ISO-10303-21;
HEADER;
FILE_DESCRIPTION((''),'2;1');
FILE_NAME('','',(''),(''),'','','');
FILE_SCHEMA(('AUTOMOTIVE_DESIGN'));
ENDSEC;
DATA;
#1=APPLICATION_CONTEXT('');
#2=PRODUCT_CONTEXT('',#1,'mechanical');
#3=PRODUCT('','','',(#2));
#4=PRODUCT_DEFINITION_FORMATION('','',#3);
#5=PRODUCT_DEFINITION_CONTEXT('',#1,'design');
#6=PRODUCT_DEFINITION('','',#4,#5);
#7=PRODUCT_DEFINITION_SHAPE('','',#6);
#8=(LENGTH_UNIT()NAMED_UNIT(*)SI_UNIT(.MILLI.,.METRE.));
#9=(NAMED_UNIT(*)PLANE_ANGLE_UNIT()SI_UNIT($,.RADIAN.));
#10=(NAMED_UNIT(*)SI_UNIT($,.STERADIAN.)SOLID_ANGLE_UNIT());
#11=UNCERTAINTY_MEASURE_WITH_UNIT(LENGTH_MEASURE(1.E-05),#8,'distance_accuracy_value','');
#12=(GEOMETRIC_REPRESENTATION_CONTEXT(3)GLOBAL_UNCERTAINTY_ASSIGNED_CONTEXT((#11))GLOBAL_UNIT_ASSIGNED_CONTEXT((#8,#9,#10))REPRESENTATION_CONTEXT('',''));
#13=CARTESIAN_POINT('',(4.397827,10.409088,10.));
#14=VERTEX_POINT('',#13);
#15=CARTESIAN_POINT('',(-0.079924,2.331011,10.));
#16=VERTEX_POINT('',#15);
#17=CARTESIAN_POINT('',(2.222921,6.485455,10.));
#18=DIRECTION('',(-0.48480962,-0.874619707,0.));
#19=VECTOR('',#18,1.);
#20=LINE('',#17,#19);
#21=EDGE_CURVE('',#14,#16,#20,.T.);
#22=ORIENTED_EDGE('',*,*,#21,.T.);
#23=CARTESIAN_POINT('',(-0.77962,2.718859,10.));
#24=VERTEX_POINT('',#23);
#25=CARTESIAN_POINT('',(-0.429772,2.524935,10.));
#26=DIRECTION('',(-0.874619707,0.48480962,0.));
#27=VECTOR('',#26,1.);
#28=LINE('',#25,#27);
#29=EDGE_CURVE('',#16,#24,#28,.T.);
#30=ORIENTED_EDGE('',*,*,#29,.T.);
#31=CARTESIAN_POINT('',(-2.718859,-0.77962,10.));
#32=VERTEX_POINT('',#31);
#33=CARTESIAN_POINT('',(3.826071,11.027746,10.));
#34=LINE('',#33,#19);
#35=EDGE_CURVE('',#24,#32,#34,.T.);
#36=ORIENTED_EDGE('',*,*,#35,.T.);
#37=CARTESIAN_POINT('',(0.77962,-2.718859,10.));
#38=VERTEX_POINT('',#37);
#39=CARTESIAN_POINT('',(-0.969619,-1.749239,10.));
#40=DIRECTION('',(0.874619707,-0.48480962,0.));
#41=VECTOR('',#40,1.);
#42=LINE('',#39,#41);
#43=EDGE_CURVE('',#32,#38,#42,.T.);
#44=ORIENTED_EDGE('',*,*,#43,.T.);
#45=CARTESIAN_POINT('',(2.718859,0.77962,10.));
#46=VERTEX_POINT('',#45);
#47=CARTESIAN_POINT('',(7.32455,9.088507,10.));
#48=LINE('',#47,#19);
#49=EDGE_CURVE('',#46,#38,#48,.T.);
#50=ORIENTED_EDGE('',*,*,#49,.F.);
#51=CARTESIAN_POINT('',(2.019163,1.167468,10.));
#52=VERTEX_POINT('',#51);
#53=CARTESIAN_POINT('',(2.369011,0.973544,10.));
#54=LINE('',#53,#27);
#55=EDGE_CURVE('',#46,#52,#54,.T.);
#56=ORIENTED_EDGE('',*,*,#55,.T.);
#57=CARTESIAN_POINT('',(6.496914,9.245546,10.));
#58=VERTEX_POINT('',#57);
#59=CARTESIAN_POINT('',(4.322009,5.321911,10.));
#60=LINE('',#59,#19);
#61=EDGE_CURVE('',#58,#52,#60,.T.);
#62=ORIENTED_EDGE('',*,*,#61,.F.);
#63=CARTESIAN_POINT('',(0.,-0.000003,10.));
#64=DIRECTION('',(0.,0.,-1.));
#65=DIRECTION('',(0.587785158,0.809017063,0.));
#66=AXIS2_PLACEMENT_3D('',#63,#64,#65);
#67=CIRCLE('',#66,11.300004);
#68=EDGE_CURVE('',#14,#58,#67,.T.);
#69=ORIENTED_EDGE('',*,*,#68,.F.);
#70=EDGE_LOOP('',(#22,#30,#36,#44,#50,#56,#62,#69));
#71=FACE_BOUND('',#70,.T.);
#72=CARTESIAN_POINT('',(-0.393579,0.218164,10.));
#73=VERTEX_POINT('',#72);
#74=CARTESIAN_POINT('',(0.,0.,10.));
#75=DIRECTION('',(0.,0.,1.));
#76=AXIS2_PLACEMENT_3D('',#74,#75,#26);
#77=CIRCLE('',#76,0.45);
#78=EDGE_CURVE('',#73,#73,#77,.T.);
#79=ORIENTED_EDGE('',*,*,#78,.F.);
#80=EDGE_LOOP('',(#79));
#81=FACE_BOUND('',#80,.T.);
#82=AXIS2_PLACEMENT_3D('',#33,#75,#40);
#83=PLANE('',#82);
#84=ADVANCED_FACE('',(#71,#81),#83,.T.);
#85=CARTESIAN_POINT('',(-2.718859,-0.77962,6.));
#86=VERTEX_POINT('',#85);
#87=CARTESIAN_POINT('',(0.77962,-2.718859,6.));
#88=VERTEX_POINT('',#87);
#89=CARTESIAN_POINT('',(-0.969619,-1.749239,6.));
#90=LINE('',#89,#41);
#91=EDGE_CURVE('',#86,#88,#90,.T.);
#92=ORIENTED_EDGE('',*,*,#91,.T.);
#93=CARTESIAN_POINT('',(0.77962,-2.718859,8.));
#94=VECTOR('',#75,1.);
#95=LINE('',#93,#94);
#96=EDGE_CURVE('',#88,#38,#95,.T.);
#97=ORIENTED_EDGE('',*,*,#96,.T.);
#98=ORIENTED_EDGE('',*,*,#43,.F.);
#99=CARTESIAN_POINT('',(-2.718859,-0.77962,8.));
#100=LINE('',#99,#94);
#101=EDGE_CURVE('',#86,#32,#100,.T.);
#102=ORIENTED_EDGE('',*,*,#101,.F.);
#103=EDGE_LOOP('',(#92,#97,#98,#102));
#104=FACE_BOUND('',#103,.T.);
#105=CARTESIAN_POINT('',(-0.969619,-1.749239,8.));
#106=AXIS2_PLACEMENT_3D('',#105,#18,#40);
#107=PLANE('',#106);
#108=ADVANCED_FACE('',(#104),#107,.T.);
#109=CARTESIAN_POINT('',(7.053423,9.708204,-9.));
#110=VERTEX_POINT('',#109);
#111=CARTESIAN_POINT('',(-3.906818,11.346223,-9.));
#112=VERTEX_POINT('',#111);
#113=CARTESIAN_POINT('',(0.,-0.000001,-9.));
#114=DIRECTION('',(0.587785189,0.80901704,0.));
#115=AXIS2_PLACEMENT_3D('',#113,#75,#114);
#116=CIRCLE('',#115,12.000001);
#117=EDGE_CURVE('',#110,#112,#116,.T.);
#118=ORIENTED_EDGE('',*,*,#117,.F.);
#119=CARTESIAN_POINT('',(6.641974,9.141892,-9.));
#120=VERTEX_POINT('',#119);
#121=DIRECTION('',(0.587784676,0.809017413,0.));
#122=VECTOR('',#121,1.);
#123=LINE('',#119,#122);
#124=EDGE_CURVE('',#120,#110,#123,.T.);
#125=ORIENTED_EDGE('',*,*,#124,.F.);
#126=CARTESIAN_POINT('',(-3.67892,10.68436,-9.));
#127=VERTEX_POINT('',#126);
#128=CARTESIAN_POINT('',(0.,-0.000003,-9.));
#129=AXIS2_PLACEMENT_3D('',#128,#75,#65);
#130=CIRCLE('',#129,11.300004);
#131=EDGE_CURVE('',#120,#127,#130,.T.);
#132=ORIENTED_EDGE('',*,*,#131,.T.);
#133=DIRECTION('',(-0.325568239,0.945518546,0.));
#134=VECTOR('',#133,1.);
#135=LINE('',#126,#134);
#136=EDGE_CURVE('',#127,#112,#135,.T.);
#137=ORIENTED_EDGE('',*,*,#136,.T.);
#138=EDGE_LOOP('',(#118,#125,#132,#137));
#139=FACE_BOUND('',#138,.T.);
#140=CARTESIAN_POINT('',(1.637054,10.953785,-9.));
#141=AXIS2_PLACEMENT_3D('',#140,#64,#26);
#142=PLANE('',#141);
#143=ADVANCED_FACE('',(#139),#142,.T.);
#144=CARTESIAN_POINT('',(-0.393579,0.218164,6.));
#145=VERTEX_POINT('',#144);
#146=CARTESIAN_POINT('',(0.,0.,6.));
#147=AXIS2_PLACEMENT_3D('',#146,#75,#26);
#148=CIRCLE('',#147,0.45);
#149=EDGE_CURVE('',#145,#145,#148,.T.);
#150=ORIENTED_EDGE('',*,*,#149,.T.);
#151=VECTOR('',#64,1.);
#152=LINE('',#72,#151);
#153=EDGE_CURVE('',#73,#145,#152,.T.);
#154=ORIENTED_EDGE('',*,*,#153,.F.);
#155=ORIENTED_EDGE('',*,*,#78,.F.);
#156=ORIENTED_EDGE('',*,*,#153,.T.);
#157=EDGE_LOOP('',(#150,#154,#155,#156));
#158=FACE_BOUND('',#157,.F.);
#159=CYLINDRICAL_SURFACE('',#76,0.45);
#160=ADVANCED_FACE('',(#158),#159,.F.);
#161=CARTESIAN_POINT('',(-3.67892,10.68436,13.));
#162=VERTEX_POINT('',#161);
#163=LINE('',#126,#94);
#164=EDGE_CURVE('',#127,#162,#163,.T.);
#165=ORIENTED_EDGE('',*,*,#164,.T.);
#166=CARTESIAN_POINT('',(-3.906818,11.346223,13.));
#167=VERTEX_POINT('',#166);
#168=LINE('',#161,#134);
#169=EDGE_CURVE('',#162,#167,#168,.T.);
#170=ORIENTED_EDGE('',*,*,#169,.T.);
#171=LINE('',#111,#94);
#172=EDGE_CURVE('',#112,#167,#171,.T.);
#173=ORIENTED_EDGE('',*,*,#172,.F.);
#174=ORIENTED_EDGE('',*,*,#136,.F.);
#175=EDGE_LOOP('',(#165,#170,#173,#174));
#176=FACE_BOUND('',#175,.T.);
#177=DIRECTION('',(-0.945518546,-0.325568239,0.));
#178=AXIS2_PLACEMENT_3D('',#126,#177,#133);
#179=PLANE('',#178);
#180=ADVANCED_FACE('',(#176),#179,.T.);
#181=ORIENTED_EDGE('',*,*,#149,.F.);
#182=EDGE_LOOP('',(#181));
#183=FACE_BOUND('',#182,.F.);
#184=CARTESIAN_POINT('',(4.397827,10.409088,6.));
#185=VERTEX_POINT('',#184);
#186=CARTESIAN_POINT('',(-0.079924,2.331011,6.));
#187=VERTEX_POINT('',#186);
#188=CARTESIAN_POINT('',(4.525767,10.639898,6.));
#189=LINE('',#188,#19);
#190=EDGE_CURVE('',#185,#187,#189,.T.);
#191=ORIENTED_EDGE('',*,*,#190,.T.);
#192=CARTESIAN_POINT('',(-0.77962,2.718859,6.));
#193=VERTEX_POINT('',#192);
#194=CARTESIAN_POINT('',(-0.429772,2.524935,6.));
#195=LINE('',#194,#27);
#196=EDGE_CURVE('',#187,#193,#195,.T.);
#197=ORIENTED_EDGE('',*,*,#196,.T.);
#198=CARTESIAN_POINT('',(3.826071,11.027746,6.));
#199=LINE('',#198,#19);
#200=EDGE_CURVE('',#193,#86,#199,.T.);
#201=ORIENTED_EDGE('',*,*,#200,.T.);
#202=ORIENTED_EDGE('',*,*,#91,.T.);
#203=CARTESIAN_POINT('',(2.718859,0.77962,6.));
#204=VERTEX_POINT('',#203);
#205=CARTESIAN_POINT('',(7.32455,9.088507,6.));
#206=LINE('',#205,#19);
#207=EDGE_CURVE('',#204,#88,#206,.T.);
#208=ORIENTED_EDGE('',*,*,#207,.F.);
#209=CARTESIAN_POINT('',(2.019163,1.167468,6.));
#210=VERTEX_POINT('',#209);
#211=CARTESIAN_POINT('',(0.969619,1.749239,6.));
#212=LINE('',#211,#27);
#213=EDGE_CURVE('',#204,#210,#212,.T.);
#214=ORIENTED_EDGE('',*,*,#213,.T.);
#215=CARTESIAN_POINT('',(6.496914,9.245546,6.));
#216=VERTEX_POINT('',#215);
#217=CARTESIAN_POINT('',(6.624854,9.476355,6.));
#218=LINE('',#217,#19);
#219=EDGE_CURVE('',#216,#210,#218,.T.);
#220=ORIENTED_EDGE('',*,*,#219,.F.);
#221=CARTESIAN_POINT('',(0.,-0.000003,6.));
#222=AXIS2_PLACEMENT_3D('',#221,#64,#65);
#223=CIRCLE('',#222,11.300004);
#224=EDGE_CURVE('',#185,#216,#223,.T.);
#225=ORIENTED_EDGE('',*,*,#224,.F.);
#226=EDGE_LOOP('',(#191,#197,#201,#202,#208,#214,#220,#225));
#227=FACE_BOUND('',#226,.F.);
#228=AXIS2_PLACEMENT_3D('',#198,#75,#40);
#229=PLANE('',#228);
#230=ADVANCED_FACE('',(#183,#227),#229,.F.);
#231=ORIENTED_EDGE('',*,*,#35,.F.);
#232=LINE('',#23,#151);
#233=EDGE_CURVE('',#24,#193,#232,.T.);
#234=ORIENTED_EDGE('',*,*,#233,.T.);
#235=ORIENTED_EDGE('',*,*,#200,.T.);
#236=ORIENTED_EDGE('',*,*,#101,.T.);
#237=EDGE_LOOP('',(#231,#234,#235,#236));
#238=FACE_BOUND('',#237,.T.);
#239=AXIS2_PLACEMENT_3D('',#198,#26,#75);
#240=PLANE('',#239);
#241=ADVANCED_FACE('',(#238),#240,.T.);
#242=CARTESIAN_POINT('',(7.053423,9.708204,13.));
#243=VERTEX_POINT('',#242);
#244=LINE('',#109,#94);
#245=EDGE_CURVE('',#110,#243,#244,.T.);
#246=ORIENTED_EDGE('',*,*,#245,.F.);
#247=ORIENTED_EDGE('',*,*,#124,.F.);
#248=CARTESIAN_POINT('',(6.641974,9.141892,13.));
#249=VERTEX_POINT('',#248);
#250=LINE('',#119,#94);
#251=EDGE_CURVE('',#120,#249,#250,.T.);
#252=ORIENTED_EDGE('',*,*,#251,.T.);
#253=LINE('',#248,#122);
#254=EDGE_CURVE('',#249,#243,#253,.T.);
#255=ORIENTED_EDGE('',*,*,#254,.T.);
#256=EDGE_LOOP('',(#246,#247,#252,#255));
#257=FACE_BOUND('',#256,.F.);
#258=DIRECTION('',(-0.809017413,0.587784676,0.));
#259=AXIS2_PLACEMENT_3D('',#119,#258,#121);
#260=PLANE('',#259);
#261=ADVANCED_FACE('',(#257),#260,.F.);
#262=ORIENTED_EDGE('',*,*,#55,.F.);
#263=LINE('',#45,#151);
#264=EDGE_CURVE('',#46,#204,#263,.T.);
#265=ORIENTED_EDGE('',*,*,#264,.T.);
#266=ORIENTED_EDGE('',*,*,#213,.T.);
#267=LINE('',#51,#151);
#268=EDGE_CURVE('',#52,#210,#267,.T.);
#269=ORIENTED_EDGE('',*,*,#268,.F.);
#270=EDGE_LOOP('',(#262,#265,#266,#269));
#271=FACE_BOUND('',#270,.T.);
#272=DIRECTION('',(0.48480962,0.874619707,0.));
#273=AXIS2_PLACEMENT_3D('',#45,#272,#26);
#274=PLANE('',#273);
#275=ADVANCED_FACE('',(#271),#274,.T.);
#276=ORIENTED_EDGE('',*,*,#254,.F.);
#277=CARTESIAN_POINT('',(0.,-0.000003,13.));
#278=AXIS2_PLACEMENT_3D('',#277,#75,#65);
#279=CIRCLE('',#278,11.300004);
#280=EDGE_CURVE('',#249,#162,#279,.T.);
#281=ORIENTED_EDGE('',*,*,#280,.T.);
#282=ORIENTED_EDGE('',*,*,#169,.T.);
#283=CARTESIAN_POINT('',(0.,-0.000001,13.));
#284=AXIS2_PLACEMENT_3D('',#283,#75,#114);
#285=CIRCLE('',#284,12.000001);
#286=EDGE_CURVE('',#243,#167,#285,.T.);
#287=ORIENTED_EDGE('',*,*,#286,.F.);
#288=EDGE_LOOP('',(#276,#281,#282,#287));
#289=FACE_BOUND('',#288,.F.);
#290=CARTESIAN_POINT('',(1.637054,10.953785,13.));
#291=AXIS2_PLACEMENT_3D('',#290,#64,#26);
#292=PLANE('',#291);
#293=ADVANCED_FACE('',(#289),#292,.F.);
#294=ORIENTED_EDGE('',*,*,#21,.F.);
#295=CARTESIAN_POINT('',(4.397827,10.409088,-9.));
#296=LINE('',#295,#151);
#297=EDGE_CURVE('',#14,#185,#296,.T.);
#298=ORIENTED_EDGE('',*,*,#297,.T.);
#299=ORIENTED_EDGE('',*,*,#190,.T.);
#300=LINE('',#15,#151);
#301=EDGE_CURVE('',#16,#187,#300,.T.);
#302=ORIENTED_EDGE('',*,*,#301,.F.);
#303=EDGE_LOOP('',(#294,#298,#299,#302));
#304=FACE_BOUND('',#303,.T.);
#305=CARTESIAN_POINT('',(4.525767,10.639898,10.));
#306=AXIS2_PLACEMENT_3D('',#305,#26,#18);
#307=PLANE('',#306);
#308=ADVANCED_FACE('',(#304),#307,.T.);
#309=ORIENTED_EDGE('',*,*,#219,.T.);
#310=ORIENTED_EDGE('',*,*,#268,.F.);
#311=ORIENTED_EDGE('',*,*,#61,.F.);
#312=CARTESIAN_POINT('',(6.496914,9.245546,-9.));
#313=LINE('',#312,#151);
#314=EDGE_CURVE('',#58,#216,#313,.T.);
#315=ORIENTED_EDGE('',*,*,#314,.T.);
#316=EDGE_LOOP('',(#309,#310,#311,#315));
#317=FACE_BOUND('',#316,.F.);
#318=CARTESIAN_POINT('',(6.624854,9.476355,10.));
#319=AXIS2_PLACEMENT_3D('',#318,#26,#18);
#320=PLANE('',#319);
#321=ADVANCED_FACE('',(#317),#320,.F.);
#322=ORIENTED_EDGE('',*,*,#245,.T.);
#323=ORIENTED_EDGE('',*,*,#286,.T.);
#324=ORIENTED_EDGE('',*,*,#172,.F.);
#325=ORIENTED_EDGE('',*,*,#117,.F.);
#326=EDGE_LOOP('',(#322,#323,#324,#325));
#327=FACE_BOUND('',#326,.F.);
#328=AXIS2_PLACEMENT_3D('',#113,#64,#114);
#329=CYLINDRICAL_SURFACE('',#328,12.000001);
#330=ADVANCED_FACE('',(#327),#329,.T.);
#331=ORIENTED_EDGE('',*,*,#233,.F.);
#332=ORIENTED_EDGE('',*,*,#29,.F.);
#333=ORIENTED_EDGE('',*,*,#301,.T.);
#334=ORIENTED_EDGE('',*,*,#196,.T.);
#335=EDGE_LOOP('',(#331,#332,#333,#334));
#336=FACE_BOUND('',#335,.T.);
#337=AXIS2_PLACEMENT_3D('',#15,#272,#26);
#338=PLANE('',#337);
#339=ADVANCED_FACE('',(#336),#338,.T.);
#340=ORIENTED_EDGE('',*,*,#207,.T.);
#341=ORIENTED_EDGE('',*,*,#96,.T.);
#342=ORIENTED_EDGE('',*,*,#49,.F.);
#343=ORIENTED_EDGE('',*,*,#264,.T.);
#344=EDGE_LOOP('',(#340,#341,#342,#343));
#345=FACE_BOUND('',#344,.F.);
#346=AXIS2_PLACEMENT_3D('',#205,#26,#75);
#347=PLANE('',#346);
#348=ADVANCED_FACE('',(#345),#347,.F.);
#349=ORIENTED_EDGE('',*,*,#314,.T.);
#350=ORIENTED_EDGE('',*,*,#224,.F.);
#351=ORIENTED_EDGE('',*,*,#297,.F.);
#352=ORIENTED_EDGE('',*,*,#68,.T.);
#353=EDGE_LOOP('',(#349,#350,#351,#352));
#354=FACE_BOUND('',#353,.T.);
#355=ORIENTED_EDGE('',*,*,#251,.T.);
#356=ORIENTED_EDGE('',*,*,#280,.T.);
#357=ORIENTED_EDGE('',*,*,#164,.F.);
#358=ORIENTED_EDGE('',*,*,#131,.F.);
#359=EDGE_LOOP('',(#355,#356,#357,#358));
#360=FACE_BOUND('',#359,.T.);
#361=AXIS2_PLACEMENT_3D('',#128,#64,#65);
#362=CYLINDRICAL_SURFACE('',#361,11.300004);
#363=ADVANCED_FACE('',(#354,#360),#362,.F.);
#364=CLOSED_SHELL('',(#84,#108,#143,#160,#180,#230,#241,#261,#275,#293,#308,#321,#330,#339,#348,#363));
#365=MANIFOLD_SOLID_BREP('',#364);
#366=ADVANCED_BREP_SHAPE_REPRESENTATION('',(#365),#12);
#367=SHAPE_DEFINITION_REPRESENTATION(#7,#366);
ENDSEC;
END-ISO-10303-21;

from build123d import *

# Parameters (mm, degrees)
PAD168_DEPTH              = 22
SKETCH247_W               = 4
SKETCH247_H               = 4
PAD167_DEPTH              = 13.5
SKETCH244_R               = 0.45
SKETCH244_W               = 0.8
SKETCH244_H               = 9.5
POCKET031_DEPTH           = 5
BODY041_PLACEMENT_ANGLE   = 90
FUSION004_PLACEMENT_ANGLE = 29


with BuildPart() as segment_wing004:
    # Sketch240 → Pad168 (new body)
    with BuildSketch(Plane.XY):
        with BuildLine():
            ThreePointArc((1.377124, 11.215772), (-3.957343, 10.584396), (-8.397537, 7.561176))
            Line((-8.397537, 7.561176), (-8.917738, 8.029567))
            ThreePointArc((1.462432, 11.910554), (-4.202489, 11.240066), (-8.917738, 8.029567))
            Line((1.377124, 11.215772), (1.462432, 11.910554))
        make_face()
    extrude(amount=PAD168_DEPTH)


with BuildPart() as segment_wing004_1:
    # Body044 placement: moved
    add(segment_wing004.part.moved(Location((0, 0, -9))))


with BuildPart() as segment_on004:
    # Sketch247 → Pad167 (new body)
    with BuildSketch(Plane.XY):
        with Locations((0, 6)):
            Rectangle(SKETCH247_W, SKETCH247_H)
    extrude(amount=PAD167_DEPTH)

    # Sketch244 (on Face1 of Pad167) → Pocket031 (cut)
    with BuildSketch(Plane(origin=(0, 8, 0), x_dir=(-1, 0, 0), z_dir=(0, 1, 0))):
        with Locations((0, 11.5)):
            Circle(SKETCH244_R)
        with Locations((-1.6, 4.75)):
            Rectangle(SKETCH244_W, SKETCH244_H)
        with Locations((1.6, 4.75)):
            Rectangle(SKETCH244_W, SKETCH244_H)
    extrude(amount=-POCKET031_DEPTH, mode=Mode.SUBTRACT)


with BuildPart() as segment_on004_1:
    # Body041 placement: moved
    add(segment_on004.part.moved(Location((0, 11.5, 2))).rotate(Axis((0, 11.5, 2), (1, 0, 0)), BODY041_PLACEMENT_ANGLE))

    # Fusion004: union Segment_Wing004
    add(segment_wing004_1.part)


with BuildPart() as segment_on004_2:
    # Fusion004 placement: moved
    add(segment_on004_1.part.rotate(Axis((0, 0, 0), (0, 0, -1)), FUSION004_PLACEMENT_ANGLE))


solid = segment_on004_2.part
